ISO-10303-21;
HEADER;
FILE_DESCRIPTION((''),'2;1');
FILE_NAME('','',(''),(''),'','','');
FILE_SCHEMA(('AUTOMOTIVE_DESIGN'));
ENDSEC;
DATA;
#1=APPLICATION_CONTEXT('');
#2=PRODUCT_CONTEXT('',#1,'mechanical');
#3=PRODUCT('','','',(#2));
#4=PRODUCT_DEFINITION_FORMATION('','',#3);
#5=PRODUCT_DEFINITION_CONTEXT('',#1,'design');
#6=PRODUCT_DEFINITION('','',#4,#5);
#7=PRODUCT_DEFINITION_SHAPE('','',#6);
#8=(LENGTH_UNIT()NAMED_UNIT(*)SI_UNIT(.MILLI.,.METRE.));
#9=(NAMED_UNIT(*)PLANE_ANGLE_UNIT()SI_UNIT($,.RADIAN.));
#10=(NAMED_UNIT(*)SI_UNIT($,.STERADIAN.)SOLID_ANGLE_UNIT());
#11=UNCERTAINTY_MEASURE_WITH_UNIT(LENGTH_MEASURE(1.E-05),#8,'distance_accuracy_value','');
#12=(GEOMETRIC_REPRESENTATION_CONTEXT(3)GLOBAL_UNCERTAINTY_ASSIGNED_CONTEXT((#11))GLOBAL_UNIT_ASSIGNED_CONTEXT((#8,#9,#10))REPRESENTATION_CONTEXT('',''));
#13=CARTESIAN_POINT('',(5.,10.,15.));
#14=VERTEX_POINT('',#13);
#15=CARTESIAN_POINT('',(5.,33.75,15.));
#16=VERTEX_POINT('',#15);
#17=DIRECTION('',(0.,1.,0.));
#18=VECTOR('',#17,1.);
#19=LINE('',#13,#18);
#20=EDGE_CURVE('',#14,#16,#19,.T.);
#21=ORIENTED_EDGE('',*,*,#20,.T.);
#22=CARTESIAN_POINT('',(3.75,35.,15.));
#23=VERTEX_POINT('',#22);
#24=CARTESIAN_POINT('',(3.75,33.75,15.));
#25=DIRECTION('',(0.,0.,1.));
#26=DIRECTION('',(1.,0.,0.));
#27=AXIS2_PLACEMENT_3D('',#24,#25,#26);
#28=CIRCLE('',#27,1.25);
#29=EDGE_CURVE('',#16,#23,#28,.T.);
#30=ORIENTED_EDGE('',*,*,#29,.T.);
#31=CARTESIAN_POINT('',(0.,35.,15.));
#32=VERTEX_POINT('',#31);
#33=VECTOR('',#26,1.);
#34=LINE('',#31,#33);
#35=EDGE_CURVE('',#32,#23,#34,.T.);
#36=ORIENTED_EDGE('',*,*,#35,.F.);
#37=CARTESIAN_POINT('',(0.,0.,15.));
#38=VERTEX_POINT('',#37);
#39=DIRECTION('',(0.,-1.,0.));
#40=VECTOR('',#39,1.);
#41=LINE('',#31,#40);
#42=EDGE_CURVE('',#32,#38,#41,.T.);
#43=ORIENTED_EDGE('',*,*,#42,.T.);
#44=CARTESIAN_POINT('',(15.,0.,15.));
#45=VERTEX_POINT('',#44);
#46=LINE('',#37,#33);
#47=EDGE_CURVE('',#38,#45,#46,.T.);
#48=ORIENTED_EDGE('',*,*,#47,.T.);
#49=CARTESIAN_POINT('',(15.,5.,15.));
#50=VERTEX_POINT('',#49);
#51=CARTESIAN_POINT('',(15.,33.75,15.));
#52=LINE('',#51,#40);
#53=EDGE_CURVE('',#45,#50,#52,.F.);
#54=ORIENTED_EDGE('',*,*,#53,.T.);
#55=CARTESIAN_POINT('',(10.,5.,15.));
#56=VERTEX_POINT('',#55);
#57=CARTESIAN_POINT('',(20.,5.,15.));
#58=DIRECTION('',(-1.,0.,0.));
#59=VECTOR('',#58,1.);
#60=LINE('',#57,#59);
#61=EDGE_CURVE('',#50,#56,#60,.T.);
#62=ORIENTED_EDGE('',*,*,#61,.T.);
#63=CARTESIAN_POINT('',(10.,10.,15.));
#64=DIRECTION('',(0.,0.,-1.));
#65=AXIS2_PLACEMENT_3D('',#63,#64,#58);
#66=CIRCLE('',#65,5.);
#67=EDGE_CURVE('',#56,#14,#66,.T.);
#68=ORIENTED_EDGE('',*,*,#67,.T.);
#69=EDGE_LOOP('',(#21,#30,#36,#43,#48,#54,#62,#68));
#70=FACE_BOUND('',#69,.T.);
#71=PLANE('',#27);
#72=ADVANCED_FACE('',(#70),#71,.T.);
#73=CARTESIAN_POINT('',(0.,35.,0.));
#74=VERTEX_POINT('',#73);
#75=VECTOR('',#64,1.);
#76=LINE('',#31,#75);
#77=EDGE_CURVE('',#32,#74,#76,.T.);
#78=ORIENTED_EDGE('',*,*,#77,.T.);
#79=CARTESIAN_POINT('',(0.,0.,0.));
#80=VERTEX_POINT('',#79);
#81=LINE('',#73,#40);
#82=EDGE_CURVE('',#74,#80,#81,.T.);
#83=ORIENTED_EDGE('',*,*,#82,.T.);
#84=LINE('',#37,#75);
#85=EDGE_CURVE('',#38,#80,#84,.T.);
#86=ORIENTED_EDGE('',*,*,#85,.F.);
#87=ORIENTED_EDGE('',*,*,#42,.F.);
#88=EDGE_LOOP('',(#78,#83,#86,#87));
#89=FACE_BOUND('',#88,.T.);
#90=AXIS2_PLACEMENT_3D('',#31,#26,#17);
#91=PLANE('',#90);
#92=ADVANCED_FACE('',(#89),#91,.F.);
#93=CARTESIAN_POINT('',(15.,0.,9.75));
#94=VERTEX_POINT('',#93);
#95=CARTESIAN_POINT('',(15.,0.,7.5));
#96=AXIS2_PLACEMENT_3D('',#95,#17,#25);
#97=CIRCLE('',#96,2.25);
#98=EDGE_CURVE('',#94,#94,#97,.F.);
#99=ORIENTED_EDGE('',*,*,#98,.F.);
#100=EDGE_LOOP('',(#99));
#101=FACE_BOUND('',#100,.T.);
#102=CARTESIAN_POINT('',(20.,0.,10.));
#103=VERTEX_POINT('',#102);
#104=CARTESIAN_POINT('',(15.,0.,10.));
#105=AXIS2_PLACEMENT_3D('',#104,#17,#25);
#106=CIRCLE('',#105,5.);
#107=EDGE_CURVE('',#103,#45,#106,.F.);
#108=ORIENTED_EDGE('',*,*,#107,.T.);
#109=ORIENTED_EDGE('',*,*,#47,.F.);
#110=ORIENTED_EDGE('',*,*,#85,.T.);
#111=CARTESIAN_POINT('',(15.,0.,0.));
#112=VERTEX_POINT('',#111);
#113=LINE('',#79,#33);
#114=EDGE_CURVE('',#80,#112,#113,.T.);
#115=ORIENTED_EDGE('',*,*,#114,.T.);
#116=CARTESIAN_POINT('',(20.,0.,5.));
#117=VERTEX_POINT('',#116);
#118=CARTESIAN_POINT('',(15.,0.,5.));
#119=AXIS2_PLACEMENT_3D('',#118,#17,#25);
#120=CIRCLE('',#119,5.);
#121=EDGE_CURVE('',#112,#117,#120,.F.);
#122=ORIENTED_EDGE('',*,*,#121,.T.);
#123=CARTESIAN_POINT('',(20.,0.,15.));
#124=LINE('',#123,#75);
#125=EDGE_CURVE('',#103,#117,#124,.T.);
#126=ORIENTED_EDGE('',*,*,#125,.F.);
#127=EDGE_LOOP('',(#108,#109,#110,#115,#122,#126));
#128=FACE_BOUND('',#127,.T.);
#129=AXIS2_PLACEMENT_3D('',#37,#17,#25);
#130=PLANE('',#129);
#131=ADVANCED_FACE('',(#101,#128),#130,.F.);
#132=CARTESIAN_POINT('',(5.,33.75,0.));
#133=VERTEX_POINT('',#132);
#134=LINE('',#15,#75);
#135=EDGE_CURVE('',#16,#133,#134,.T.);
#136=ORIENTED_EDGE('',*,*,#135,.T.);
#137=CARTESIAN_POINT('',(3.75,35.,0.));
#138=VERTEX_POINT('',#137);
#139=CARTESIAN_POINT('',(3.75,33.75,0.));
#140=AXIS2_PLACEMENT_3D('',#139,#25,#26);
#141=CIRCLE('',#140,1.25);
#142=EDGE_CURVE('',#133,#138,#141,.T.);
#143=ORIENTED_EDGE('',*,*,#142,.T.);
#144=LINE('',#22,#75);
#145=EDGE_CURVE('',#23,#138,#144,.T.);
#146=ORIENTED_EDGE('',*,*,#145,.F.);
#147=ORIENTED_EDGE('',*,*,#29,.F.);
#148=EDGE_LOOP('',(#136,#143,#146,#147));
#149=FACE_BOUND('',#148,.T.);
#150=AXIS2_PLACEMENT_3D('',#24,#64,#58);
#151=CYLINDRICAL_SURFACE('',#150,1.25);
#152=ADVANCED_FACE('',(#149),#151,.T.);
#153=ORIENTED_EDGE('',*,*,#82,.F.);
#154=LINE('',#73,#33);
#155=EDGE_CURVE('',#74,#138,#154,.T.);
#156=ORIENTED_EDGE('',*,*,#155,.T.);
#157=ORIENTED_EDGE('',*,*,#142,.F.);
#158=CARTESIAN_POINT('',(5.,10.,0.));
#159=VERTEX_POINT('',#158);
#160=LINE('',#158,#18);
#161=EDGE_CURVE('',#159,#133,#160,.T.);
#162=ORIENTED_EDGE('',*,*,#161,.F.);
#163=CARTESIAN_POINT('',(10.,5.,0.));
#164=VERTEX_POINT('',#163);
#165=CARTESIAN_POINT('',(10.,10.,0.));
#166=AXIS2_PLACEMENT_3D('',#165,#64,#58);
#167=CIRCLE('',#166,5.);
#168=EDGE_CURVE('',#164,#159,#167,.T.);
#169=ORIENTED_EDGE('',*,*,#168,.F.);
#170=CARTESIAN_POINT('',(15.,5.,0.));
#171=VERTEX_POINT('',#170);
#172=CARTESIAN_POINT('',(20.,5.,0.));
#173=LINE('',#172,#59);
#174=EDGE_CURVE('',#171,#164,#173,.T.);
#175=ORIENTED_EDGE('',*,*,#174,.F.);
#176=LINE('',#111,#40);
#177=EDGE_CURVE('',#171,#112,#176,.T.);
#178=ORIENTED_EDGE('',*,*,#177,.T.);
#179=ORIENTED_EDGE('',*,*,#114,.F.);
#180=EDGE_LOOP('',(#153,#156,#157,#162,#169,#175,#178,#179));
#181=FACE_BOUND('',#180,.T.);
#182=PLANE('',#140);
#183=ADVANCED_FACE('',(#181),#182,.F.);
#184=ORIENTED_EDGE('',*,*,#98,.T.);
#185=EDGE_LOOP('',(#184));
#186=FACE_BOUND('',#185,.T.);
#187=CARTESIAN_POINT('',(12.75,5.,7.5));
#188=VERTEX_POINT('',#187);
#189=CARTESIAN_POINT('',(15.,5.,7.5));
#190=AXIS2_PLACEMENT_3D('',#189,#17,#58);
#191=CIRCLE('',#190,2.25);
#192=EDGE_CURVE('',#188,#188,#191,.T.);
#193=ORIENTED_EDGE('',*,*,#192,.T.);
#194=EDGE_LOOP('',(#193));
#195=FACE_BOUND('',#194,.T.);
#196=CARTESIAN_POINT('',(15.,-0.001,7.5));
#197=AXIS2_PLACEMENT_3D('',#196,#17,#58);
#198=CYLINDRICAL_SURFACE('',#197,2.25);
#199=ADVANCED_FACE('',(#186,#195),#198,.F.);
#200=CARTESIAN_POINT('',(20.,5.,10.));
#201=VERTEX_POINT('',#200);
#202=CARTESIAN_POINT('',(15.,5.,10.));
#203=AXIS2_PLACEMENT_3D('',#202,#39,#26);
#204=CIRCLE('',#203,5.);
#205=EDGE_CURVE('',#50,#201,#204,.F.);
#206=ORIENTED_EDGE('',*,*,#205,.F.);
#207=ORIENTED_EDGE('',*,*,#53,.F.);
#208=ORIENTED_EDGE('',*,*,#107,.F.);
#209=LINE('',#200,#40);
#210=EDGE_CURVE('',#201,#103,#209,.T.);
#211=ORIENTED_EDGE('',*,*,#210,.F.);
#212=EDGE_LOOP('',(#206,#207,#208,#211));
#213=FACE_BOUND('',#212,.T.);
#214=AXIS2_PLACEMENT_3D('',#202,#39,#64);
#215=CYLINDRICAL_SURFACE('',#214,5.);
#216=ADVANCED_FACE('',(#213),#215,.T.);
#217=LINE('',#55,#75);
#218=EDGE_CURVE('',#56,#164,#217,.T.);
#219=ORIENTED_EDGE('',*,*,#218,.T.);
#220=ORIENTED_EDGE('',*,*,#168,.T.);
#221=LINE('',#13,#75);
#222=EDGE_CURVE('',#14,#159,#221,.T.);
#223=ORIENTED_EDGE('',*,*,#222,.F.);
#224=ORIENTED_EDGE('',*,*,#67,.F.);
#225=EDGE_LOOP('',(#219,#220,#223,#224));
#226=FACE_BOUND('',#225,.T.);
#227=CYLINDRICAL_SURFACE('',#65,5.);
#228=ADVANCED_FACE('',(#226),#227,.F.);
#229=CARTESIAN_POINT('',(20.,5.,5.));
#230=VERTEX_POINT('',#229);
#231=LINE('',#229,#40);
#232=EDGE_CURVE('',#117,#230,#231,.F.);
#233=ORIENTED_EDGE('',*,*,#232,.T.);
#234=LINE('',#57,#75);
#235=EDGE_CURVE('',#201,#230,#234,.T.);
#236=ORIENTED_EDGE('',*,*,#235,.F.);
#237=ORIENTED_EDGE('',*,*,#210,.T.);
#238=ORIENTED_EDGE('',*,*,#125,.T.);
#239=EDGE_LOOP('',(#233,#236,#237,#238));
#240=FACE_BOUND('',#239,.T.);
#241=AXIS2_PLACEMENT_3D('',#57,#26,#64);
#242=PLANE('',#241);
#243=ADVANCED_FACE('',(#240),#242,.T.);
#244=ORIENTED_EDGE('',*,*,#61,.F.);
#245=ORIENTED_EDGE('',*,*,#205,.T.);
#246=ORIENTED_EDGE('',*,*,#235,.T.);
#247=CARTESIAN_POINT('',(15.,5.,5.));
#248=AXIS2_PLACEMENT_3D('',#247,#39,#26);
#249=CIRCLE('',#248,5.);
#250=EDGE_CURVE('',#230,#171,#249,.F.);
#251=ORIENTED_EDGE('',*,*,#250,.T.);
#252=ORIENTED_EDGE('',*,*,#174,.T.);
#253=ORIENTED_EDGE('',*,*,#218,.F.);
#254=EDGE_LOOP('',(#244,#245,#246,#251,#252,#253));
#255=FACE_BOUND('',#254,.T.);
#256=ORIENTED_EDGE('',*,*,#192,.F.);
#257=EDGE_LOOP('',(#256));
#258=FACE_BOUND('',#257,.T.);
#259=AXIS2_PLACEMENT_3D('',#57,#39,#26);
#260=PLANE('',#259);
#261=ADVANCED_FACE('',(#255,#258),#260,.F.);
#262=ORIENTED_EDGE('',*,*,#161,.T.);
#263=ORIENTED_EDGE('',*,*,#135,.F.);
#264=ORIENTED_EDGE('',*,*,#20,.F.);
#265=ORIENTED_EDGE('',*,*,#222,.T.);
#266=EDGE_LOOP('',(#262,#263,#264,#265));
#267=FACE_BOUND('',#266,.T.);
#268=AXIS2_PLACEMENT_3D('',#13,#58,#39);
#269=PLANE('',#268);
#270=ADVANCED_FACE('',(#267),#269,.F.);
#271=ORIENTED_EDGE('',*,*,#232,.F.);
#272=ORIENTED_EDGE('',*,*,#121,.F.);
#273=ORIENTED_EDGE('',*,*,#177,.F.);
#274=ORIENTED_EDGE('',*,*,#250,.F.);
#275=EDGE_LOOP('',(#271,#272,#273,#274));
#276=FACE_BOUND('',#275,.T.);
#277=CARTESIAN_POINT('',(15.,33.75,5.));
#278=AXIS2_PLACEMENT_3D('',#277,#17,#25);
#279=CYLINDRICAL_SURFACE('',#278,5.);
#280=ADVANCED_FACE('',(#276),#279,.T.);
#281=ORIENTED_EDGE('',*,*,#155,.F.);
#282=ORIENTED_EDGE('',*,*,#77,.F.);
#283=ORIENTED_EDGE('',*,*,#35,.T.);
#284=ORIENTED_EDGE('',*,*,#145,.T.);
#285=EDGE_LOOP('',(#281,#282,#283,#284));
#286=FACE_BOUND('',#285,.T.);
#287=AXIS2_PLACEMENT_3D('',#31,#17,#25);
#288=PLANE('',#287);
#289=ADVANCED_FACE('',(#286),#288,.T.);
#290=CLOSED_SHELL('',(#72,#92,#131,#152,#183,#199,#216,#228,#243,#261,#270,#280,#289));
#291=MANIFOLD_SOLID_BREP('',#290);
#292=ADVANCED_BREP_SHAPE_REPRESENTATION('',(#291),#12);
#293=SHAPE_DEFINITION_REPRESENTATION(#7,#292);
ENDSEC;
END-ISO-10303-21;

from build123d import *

# Parameters (mm, degrees)
BOSS_EXTRUDE1_DEPTH = 15
CUT_EXTRUDE1_REACH  = 7
SKETCH2_R           = 2.25
FILLET1_R           = 5


with BuildPart() as part:
    # Sketch1 → Boss-Extrude1 (new body)
    with BuildSketch(Plane.XY):
        with BuildLine():
            Line((0, 35), (0, 0))
            Line((0, 0), (20, 0))
            Line((20, 0), (20, 5))
            Line((20, 5), (10, 5))
            ThreePointArc((10, 5), (6.464466094, 6.464466094), (5, 10))
            Line((5, 10), (5, 33.75))
            ThreePointArc((5, 33.75), (4.633883476, 34.633883476), (3.75, 35))
            Line((3.75, 35), (0, 35))
        make_face()
    extrude(amount=BOSS_EXTRUDE1_DEPTH)

    # Sketch2 → Cut-Extrude1 (cut, up to next)
    with BuildSketch(Plane(origin=(0, 5, 0), x_dir=(1, 0, 0), z_dir=(0, 1, 0)), mode=Mode.PRIVATE) as cut_extrude1_sk1:
        with Locations((15, -7.5)):
            Circle(SKETCH2_R)
    cut_extrude1_tool1 = extrude(cut_extrude1_sk1.sketch, amount=-CUT_EXTRUDE1_REACH, mode=Mode.PRIVATE) & part.part
    add(cut_extrude1_tool1.solids().sort_by_distance((15, 5, 7.5))[0], mode=Mode.SUBTRACT)

    # Fillet1
    fillet1_edges = [part.edges().sort_by_distance(p)[0] for p in [
        (20, 2.5, 15),
        (20, 2.5, 0),
    ]]
    fillet(fillet1_edges, radius=FILLET1_R)


solid = part.part
